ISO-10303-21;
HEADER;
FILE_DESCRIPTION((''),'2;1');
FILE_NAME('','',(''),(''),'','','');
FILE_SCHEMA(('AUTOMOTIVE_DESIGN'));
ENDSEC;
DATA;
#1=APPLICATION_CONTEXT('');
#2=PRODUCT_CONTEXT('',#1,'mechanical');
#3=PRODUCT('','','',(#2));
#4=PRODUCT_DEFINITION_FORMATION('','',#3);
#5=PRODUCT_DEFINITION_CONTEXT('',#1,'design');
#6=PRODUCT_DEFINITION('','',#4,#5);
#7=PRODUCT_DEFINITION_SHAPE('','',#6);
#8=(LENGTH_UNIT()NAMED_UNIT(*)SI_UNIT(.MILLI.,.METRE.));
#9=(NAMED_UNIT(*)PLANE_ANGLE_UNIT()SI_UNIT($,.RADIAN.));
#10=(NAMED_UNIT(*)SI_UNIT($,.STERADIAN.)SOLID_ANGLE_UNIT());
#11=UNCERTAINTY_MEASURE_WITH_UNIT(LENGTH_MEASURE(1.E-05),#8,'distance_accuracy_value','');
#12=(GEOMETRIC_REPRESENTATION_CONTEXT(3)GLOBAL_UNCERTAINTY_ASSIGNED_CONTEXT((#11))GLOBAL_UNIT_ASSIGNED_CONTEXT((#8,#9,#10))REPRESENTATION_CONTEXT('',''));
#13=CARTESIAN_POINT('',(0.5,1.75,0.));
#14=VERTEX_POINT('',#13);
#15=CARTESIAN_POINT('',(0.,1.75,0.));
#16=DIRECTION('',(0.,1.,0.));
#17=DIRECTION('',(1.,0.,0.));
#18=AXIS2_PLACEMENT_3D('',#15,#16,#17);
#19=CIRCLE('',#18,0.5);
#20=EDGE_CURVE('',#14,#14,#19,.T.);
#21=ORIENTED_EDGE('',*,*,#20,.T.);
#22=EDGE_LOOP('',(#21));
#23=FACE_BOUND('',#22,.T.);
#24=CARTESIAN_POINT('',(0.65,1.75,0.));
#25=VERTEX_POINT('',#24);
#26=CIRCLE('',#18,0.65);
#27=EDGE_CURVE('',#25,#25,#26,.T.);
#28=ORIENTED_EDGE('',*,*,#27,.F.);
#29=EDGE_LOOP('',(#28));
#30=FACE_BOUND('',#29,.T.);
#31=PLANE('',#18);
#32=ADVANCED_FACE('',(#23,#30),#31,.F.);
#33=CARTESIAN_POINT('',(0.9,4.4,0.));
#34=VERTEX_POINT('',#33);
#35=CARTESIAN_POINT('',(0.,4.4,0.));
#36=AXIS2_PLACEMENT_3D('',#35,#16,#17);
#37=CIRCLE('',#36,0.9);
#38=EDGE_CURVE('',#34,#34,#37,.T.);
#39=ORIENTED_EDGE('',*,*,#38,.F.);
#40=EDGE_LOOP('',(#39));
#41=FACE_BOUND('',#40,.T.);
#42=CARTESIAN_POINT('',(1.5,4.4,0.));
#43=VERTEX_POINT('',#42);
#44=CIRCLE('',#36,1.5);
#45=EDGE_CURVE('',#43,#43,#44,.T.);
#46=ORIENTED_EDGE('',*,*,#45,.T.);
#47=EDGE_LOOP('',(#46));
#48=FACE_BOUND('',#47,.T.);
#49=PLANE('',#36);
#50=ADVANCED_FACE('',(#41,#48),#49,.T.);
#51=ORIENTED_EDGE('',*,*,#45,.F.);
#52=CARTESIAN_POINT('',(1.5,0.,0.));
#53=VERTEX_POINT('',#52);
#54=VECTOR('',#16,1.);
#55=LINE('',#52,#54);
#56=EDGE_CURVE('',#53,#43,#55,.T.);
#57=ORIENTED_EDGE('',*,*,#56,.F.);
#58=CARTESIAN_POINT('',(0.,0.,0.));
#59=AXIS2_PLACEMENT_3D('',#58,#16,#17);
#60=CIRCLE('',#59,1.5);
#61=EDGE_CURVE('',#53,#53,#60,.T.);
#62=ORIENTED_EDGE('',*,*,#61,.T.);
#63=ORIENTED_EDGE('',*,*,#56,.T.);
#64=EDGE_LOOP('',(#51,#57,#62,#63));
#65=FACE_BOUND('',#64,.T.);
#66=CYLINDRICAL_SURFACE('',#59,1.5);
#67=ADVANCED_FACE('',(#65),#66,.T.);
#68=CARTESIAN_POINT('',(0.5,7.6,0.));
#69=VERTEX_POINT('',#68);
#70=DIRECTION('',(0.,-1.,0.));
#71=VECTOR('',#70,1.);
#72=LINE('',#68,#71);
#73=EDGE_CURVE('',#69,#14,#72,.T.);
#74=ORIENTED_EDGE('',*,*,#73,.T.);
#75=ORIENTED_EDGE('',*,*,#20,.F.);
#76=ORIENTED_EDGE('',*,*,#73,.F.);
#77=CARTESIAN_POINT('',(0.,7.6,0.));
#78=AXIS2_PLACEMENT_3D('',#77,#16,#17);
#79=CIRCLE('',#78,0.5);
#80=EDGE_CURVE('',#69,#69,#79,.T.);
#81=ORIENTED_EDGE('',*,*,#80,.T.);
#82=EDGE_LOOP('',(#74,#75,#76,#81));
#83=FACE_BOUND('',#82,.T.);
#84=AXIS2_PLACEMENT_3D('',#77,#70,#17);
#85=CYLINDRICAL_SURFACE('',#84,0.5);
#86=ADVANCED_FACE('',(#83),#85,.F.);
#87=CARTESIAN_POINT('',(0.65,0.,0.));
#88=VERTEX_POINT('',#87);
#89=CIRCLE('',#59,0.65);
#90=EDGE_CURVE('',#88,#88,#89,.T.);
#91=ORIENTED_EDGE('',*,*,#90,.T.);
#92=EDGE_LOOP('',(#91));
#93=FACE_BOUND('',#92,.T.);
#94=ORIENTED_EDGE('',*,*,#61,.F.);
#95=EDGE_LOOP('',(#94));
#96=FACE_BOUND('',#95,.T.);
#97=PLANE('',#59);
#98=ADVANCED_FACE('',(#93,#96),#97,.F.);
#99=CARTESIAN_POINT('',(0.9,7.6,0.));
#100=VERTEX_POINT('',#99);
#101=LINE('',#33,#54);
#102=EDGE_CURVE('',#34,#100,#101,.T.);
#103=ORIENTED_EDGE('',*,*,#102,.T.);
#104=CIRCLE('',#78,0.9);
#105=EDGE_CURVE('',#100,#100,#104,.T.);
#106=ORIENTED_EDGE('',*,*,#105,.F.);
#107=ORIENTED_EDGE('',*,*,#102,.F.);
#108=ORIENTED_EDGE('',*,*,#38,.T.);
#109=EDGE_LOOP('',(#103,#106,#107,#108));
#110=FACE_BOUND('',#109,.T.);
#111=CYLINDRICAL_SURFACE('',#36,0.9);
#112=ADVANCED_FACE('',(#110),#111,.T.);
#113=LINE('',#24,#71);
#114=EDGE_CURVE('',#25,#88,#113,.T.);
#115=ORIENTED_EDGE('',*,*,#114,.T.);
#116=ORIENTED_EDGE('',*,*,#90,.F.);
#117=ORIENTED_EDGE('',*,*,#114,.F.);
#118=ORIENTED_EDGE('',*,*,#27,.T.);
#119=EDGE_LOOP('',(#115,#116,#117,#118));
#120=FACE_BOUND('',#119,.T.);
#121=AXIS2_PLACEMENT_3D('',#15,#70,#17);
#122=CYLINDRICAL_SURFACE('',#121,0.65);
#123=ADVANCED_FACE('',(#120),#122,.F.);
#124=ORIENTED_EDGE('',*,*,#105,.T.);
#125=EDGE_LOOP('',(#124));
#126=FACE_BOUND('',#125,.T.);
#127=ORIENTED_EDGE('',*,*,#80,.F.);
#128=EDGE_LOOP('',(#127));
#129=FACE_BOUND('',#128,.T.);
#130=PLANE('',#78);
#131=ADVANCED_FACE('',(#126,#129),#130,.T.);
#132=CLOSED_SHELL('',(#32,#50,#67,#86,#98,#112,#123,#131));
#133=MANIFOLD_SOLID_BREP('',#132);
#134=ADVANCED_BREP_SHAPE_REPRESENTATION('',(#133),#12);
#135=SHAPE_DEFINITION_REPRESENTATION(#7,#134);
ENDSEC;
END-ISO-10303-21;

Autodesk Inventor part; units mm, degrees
ref_plane "YZ Plane" through (0, 0, 0) normal (1, 0, 0) x (0, 1, 0)
ref_plane "XZ Plane" through (0, 0, 0) normal (0, 1, 0) x (-1, 0, 0)
ref_plane "XY Plane" through (0, 0, 0) normal (0, 0, 1) x (1, 0, 0)
sketch "Sketch1" plane through (0, 0, 0) normal (0, 0, 1) x (1, 0, 0)
  line L0 (0, 0) -> (0, 7.6)
  line L1 (0.65, 0) -> (1.5, 0)
  line L2 (1.5, 0) -> (1.5, 4.4)
  line L3 (1.5, 4.4) -> (0.9, 4.4)
  line L4 (0.9, 4.4) -> (0.9, 7.6)
  line L5 (0.9, 7.6) -> (0.5, 7.6)
  line L6 (0.5, 7.6) -> (0.5, 1.75)
  line L7 (0.5, 1.75) -> (0.65, 1.75)
  line L8 (0.65, 1.75) -> (0.65, 0)
  dimension "d0" = 1
  dimension "d1" = 1.3
  dimension "d2" = 7.6
  dimension "d3" = 4.4
  dimension "d4" = 1.75
  dimension "d5" = 3
  dimension "d6" = 1.8
revolve "Revolution1" add sketch "Sketch1" angle 360 about axis through (0, 0, 0) along (0, 1, 0)
properties part number "PP-04" material "ABS Plastic"
